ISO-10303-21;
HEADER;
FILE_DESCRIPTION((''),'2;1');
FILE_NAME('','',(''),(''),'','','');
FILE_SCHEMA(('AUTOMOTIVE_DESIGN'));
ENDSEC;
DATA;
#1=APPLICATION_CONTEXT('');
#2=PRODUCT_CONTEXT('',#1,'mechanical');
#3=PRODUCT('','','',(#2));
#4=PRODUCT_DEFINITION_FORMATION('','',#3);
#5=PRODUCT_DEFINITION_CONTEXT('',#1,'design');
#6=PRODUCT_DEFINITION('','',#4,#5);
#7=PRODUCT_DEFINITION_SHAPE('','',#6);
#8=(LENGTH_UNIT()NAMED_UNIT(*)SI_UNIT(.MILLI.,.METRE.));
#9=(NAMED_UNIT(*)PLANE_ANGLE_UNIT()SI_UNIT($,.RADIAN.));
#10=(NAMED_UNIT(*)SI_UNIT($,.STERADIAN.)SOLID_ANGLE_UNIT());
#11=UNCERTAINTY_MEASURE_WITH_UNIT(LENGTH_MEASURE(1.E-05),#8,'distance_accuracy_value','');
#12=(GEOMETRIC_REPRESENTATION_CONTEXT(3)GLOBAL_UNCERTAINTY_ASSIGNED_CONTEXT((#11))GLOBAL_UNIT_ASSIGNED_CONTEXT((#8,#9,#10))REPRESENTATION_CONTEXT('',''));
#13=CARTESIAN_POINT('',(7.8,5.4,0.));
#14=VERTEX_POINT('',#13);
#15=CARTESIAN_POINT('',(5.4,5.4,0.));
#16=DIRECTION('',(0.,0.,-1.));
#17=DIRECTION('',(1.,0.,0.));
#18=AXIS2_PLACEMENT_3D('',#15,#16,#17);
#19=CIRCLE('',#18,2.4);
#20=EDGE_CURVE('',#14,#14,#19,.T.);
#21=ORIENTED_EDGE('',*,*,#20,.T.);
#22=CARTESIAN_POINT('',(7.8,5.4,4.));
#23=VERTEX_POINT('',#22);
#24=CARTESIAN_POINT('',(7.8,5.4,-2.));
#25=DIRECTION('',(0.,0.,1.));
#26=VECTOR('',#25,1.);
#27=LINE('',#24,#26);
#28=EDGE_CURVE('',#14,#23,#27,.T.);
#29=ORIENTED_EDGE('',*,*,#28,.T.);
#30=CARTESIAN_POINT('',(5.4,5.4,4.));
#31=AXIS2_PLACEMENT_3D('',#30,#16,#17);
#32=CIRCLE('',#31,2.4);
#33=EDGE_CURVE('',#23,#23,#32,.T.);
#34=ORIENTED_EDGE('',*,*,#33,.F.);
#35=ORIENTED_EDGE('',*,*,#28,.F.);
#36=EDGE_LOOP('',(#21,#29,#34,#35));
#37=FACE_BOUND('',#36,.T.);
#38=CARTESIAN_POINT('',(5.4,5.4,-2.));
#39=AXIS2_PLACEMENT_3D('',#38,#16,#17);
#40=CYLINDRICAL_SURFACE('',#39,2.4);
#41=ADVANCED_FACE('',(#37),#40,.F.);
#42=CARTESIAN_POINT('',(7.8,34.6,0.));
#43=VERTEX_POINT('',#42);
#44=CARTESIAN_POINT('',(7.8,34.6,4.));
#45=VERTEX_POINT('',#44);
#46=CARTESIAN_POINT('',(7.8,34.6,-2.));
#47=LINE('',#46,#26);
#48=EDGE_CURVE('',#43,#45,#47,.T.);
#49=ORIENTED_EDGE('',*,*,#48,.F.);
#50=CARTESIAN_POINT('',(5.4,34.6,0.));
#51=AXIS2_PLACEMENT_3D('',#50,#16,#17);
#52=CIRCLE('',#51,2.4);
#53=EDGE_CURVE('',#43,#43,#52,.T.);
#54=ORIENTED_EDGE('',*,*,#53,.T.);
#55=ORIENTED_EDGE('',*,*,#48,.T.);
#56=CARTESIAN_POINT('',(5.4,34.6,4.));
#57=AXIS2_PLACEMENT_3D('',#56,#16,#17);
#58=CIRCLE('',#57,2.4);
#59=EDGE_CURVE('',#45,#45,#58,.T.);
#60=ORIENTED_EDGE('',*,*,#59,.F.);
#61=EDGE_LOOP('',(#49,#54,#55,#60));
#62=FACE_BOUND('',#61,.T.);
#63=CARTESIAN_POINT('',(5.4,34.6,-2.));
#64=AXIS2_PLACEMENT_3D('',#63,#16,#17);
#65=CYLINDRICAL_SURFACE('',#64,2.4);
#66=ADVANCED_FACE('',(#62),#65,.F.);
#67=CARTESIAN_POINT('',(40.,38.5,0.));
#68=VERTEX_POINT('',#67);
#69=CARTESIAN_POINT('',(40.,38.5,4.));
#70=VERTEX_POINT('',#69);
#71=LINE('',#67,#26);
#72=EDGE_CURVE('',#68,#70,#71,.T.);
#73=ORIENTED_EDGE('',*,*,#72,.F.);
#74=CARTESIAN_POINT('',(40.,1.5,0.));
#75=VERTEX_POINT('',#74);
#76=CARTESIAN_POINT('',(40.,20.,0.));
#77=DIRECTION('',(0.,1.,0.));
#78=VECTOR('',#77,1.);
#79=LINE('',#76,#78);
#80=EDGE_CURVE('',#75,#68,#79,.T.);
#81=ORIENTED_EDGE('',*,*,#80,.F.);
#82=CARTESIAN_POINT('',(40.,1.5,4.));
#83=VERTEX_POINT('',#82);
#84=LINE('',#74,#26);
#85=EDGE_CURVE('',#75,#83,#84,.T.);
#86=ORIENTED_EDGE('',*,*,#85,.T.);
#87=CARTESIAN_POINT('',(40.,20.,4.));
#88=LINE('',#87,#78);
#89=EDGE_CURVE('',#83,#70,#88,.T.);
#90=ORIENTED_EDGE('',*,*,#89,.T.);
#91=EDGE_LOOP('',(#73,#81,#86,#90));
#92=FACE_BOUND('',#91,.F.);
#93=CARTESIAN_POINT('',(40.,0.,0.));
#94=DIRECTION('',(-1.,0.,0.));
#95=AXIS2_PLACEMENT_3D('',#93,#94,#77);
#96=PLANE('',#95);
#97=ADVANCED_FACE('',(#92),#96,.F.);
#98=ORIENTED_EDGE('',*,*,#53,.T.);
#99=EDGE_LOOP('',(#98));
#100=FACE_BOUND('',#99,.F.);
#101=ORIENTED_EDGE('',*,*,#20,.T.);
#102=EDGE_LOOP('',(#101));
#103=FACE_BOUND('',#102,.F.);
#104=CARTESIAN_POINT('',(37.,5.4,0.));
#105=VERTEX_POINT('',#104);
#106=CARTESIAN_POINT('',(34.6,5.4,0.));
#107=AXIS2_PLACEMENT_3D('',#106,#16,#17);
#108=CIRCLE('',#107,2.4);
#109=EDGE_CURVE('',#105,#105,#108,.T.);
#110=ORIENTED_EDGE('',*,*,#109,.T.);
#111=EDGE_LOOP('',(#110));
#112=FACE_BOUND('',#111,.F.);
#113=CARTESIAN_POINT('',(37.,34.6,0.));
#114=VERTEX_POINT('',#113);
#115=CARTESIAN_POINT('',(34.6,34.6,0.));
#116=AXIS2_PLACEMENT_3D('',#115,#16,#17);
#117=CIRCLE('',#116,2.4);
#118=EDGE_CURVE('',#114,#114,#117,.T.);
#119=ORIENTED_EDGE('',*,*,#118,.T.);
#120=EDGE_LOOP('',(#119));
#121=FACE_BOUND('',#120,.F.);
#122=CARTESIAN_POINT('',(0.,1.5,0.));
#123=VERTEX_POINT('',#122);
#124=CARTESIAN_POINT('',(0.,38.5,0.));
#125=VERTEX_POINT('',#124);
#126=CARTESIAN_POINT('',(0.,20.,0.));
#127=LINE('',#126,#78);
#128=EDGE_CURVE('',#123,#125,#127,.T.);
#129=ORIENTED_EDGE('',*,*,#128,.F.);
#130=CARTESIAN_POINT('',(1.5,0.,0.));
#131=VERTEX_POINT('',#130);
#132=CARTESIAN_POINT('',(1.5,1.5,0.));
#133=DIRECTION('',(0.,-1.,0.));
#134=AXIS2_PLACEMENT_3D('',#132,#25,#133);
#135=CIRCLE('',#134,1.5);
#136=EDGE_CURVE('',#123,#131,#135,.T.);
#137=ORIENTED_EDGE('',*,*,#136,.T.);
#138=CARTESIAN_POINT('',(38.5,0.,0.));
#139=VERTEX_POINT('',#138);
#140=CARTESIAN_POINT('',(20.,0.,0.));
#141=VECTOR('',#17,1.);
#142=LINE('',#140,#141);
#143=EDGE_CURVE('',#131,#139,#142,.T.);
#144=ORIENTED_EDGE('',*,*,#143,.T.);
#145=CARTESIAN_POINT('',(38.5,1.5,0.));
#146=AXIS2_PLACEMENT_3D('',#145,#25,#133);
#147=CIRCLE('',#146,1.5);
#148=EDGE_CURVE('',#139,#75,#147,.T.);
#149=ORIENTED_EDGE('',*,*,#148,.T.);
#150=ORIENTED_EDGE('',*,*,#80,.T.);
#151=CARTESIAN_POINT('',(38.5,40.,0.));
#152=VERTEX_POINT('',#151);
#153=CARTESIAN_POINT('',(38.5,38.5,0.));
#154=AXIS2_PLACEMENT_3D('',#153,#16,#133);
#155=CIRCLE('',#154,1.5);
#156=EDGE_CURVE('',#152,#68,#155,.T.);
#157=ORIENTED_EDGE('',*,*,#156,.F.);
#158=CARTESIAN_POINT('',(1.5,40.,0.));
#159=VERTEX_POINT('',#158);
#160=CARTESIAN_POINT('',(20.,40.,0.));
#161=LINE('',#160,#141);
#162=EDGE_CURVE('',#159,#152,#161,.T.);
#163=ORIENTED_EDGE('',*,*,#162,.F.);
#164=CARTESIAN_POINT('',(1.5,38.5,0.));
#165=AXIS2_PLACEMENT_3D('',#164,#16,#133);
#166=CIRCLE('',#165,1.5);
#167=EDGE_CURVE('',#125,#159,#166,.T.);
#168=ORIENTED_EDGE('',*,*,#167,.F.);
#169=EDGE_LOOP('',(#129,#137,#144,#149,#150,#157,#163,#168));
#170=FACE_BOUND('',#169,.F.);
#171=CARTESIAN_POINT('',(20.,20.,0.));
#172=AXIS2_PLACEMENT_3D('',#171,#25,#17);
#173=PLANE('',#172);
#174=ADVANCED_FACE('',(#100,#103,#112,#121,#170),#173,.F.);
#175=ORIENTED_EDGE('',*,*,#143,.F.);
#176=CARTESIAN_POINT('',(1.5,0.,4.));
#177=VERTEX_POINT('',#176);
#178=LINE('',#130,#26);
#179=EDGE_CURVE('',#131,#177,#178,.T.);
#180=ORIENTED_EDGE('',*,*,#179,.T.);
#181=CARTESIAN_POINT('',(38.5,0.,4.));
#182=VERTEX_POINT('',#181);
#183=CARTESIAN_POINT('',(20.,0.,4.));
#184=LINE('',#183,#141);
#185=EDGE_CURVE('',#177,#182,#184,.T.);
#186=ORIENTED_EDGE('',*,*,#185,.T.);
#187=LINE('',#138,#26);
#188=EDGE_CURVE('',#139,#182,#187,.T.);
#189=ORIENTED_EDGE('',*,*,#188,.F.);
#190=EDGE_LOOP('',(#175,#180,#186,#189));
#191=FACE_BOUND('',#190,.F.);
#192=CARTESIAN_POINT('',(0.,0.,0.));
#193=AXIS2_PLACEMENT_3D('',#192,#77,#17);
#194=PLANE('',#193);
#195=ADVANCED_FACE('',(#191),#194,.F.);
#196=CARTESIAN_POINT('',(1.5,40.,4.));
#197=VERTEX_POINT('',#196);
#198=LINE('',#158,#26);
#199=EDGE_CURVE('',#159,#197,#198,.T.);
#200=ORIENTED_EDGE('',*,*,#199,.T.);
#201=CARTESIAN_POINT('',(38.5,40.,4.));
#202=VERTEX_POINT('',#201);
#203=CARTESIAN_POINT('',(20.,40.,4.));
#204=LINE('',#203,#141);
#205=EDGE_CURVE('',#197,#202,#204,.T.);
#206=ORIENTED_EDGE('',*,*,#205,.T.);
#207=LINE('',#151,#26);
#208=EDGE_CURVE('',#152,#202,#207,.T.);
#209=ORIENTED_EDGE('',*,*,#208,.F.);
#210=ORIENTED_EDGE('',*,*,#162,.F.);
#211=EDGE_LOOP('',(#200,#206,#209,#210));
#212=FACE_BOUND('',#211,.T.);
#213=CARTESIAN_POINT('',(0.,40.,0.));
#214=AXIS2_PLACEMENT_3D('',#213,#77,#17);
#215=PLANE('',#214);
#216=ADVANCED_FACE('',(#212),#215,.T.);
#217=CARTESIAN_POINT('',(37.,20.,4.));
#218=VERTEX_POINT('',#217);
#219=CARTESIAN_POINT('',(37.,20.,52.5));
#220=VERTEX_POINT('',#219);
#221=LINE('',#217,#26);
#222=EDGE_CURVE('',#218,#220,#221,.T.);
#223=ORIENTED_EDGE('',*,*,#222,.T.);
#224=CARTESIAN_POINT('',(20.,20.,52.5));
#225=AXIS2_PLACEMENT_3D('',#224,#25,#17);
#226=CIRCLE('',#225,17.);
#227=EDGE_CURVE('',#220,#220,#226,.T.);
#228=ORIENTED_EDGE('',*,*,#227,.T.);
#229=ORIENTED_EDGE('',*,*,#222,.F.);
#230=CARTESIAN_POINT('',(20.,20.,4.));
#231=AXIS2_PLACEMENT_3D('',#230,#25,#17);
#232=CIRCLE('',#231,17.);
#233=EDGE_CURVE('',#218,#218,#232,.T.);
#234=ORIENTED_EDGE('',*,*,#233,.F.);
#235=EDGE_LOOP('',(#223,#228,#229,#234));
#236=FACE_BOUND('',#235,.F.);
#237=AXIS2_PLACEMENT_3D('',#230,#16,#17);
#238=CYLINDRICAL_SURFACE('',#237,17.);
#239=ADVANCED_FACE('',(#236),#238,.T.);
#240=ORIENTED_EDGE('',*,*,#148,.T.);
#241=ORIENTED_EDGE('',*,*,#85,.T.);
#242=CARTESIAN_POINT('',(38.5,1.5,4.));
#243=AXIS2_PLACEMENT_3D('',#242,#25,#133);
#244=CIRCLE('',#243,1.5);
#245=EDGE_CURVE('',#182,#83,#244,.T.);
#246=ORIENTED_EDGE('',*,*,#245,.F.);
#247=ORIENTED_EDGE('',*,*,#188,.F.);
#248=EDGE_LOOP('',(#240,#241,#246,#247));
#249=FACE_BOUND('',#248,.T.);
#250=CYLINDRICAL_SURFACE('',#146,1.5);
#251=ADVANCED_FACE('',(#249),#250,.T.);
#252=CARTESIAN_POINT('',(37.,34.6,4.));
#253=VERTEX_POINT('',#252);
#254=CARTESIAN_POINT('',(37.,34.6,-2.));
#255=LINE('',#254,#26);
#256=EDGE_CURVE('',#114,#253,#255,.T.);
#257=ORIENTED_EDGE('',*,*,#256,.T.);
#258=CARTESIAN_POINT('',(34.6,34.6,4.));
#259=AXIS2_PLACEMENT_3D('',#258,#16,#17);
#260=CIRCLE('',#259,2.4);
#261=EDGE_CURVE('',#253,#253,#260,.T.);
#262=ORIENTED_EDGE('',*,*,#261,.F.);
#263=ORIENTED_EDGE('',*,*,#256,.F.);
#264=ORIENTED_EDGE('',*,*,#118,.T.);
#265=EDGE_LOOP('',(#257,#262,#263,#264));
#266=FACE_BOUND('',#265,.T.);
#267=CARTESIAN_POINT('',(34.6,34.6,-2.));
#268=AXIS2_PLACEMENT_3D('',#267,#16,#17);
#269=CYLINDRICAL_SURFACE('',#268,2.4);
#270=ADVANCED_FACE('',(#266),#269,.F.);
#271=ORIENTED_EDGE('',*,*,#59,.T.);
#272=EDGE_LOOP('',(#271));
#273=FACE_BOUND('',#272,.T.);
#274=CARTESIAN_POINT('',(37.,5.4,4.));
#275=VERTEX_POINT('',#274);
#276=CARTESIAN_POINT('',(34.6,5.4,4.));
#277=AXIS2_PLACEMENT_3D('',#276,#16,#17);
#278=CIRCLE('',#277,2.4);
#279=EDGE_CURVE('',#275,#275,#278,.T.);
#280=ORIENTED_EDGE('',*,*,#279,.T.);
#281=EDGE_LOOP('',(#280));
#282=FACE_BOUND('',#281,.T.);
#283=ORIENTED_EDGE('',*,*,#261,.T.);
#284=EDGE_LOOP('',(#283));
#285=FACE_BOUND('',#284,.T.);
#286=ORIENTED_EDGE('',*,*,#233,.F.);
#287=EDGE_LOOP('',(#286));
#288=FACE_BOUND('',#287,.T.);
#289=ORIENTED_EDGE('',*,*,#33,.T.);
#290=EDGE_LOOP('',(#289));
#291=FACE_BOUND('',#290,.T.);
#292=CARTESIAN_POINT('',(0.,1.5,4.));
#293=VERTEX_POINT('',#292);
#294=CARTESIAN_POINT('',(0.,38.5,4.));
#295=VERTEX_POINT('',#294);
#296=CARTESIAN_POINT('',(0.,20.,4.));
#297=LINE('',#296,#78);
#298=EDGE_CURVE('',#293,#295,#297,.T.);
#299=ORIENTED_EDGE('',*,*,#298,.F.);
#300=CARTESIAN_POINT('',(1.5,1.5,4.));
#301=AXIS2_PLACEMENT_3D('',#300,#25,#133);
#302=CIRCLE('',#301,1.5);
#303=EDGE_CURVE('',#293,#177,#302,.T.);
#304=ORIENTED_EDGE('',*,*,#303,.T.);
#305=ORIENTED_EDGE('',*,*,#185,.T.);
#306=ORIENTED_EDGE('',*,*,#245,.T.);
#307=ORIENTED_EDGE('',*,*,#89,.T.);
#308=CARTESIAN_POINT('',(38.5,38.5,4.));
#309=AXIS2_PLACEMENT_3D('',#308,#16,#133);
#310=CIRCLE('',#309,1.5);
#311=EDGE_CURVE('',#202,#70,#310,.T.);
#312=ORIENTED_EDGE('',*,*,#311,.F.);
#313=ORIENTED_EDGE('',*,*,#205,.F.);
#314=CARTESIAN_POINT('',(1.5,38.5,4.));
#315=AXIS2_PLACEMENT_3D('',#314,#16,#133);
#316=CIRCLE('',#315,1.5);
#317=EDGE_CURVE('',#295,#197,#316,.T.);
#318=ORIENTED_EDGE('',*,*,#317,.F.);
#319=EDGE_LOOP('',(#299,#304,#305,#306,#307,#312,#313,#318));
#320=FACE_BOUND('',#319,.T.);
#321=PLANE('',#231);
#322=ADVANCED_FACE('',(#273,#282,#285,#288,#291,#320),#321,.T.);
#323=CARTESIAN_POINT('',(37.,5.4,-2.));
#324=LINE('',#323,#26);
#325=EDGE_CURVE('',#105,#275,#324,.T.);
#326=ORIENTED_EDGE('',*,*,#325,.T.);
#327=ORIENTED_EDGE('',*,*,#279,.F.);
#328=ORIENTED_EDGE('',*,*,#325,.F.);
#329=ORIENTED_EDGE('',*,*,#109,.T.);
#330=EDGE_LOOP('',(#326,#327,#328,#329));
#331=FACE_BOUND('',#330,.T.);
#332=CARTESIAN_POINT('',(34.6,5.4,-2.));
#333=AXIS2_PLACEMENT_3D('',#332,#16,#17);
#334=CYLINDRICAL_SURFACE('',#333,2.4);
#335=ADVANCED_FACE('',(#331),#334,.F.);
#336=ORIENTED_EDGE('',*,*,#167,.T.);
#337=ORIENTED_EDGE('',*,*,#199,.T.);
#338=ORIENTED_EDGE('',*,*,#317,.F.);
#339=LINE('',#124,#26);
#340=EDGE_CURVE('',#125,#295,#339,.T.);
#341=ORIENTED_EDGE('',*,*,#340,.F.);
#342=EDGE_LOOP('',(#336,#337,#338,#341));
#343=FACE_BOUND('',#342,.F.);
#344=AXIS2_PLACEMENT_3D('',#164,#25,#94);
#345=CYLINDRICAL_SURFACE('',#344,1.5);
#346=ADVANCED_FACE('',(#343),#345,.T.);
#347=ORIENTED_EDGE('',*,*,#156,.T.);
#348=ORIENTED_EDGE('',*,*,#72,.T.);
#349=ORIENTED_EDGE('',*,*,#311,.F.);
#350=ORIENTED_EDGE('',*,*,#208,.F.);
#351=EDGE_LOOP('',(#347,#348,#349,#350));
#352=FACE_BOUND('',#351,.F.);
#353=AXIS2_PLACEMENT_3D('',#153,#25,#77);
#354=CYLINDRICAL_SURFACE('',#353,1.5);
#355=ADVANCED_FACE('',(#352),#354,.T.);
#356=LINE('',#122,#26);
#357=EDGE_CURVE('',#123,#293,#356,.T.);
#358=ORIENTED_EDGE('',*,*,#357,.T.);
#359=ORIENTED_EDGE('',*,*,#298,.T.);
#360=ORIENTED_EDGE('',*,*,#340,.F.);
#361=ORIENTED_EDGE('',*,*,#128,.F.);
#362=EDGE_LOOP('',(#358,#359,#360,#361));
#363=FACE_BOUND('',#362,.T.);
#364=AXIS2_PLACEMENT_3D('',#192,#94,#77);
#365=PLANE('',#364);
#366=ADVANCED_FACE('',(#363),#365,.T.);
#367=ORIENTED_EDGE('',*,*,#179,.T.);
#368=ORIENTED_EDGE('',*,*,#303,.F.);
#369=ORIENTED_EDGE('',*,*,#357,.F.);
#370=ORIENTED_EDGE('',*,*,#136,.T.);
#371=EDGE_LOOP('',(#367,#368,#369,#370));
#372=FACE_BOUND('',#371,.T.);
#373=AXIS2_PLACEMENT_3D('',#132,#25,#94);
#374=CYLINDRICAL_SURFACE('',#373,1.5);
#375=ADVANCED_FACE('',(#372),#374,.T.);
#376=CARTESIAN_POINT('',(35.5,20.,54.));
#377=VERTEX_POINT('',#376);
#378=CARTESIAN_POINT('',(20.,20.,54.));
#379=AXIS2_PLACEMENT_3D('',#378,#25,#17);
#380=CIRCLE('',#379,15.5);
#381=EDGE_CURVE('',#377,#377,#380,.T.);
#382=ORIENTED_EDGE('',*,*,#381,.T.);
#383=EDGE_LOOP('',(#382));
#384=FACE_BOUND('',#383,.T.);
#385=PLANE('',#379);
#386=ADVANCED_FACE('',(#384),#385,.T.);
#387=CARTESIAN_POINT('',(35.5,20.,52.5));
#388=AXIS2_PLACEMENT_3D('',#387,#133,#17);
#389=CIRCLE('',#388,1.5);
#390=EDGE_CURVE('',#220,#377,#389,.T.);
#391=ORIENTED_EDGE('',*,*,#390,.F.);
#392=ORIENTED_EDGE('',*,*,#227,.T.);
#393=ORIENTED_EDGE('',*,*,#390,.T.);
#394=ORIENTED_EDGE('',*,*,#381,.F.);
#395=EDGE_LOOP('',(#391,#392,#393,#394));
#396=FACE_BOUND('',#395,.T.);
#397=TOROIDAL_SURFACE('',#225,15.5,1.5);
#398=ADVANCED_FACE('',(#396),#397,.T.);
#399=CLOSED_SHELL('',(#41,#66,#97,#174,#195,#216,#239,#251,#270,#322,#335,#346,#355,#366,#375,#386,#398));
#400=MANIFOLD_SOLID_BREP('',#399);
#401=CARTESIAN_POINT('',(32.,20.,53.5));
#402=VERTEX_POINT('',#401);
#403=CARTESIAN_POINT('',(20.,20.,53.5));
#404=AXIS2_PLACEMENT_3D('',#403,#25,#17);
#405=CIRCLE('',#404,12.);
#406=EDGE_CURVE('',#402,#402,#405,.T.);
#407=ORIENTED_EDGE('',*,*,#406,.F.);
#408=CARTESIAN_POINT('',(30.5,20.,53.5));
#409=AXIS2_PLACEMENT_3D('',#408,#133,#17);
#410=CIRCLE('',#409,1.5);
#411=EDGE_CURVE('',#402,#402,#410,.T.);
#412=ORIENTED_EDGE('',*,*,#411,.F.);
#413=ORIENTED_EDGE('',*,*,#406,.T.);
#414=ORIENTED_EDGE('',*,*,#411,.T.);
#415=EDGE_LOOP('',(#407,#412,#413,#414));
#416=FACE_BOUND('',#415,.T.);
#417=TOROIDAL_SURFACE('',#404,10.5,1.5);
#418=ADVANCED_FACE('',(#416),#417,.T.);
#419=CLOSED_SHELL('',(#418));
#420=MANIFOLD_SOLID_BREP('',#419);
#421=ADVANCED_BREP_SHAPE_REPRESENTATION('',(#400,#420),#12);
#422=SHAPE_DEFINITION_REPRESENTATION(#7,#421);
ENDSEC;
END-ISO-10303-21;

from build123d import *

# Parameters (mm, degrees)
TORUS_R           = 1.5
CYLINDER001_R     = 17
CYLINDER001_DEPTH = 50
FILLET001_R       = 1.5
CYLINDER_R        = 2.4
CYLINDER_DEPTH    = 10
ARRAY_X_COUNT     = 2
ARRAY_X_PITCH     = 29.2
ARRAY_Y_COUNT     = 2
ARRAY_Y_PITCH     = 29.2
BOX_W             = 40
BOX_H             = 40
BOX_DEPTH         = 4
FILLET_R          = 1.5


with BuildPart() as torus:
    # Torus → Torus (revolve)
    with BuildSketch(Plane(origin=(20, 20, 53.5), x_dir=(1, 0, 0), z_dir=(0, -1, 0))):
        with Locations((10.5, 0)):
            Circle(TORUS_R)
    revolve(axis=Axis((20, 20, 53.5), (0, 0, 1)))


with BuildPart() as pota001:
    # Cylinder001 → Cylinder001 (new body)
    with BuildSketch(Plane(origin=(20, 20, 4), x_dir=(1, 0, 0), z_dir=(0, 0, 1))):
        Circle(CYLINDER001_R)
    extrude(amount=CYLINDER001_DEPTH)

    # Fillet001
    fillet001_edges = [pota001.edges().sort_by_distance(p)[0] for p in [
        (3, 20, 54),
    ]]
    fillet(fillet001_edges, radius=FILLET001_R)


with BuildPart() as array:
    # Cylinder → Cylinder (new body)
    with BuildSketch(Plane(origin=(5.4, 5.4, -2), x_dir=(1, 0, 0), z_dir=(0, 0, 1))):
        Circle(CYLINDER_R)
    extrude(amount=CYLINDER_DEPTH)

    # Array X: Array ×2


with BuildPart() as array_1:
    add(array.part)
    with Locations(*[(i * ARRAY_X_PITCH, 0, 0) for i in range(1, ARRAY_X_COUNT)]):
        add(array.part)

    # Array Y: Array ×2


with BuildPart() as array_2:
    add(array_1.part)
    with Locations(*[(0, i * ARRAY_Y_PITCH, 0) for i in range(1, ARRAY_Y_COUNT)]):
        add(array_1.part)


with BuildPart() as fusion:
    # Box → Box (new body)
    with BuildSketch(Plane.XY):
        with Locations((20, 20)):
            Rectangle(BOX_W, BOX_H)
    extrude(amount=BOX_DEPTH)

    # Cut: cut Array
    add(array_2.part, mode=Mode.SUBTRACT)

    # Fillet
    fillet_edges = [fusion.edges().sort_by_distance(p)[0] for p in [
        (0, 0, 2),
        (0, 40, 2),
        (40, 0, 2),
        (40, 40, 2),
    ]]
    fillet(fillet_edges, radius=FILLET_R)

    # Fusion: union pota001
    add(pota001.part)


solid = Compound([torus.part, fusion.part])
